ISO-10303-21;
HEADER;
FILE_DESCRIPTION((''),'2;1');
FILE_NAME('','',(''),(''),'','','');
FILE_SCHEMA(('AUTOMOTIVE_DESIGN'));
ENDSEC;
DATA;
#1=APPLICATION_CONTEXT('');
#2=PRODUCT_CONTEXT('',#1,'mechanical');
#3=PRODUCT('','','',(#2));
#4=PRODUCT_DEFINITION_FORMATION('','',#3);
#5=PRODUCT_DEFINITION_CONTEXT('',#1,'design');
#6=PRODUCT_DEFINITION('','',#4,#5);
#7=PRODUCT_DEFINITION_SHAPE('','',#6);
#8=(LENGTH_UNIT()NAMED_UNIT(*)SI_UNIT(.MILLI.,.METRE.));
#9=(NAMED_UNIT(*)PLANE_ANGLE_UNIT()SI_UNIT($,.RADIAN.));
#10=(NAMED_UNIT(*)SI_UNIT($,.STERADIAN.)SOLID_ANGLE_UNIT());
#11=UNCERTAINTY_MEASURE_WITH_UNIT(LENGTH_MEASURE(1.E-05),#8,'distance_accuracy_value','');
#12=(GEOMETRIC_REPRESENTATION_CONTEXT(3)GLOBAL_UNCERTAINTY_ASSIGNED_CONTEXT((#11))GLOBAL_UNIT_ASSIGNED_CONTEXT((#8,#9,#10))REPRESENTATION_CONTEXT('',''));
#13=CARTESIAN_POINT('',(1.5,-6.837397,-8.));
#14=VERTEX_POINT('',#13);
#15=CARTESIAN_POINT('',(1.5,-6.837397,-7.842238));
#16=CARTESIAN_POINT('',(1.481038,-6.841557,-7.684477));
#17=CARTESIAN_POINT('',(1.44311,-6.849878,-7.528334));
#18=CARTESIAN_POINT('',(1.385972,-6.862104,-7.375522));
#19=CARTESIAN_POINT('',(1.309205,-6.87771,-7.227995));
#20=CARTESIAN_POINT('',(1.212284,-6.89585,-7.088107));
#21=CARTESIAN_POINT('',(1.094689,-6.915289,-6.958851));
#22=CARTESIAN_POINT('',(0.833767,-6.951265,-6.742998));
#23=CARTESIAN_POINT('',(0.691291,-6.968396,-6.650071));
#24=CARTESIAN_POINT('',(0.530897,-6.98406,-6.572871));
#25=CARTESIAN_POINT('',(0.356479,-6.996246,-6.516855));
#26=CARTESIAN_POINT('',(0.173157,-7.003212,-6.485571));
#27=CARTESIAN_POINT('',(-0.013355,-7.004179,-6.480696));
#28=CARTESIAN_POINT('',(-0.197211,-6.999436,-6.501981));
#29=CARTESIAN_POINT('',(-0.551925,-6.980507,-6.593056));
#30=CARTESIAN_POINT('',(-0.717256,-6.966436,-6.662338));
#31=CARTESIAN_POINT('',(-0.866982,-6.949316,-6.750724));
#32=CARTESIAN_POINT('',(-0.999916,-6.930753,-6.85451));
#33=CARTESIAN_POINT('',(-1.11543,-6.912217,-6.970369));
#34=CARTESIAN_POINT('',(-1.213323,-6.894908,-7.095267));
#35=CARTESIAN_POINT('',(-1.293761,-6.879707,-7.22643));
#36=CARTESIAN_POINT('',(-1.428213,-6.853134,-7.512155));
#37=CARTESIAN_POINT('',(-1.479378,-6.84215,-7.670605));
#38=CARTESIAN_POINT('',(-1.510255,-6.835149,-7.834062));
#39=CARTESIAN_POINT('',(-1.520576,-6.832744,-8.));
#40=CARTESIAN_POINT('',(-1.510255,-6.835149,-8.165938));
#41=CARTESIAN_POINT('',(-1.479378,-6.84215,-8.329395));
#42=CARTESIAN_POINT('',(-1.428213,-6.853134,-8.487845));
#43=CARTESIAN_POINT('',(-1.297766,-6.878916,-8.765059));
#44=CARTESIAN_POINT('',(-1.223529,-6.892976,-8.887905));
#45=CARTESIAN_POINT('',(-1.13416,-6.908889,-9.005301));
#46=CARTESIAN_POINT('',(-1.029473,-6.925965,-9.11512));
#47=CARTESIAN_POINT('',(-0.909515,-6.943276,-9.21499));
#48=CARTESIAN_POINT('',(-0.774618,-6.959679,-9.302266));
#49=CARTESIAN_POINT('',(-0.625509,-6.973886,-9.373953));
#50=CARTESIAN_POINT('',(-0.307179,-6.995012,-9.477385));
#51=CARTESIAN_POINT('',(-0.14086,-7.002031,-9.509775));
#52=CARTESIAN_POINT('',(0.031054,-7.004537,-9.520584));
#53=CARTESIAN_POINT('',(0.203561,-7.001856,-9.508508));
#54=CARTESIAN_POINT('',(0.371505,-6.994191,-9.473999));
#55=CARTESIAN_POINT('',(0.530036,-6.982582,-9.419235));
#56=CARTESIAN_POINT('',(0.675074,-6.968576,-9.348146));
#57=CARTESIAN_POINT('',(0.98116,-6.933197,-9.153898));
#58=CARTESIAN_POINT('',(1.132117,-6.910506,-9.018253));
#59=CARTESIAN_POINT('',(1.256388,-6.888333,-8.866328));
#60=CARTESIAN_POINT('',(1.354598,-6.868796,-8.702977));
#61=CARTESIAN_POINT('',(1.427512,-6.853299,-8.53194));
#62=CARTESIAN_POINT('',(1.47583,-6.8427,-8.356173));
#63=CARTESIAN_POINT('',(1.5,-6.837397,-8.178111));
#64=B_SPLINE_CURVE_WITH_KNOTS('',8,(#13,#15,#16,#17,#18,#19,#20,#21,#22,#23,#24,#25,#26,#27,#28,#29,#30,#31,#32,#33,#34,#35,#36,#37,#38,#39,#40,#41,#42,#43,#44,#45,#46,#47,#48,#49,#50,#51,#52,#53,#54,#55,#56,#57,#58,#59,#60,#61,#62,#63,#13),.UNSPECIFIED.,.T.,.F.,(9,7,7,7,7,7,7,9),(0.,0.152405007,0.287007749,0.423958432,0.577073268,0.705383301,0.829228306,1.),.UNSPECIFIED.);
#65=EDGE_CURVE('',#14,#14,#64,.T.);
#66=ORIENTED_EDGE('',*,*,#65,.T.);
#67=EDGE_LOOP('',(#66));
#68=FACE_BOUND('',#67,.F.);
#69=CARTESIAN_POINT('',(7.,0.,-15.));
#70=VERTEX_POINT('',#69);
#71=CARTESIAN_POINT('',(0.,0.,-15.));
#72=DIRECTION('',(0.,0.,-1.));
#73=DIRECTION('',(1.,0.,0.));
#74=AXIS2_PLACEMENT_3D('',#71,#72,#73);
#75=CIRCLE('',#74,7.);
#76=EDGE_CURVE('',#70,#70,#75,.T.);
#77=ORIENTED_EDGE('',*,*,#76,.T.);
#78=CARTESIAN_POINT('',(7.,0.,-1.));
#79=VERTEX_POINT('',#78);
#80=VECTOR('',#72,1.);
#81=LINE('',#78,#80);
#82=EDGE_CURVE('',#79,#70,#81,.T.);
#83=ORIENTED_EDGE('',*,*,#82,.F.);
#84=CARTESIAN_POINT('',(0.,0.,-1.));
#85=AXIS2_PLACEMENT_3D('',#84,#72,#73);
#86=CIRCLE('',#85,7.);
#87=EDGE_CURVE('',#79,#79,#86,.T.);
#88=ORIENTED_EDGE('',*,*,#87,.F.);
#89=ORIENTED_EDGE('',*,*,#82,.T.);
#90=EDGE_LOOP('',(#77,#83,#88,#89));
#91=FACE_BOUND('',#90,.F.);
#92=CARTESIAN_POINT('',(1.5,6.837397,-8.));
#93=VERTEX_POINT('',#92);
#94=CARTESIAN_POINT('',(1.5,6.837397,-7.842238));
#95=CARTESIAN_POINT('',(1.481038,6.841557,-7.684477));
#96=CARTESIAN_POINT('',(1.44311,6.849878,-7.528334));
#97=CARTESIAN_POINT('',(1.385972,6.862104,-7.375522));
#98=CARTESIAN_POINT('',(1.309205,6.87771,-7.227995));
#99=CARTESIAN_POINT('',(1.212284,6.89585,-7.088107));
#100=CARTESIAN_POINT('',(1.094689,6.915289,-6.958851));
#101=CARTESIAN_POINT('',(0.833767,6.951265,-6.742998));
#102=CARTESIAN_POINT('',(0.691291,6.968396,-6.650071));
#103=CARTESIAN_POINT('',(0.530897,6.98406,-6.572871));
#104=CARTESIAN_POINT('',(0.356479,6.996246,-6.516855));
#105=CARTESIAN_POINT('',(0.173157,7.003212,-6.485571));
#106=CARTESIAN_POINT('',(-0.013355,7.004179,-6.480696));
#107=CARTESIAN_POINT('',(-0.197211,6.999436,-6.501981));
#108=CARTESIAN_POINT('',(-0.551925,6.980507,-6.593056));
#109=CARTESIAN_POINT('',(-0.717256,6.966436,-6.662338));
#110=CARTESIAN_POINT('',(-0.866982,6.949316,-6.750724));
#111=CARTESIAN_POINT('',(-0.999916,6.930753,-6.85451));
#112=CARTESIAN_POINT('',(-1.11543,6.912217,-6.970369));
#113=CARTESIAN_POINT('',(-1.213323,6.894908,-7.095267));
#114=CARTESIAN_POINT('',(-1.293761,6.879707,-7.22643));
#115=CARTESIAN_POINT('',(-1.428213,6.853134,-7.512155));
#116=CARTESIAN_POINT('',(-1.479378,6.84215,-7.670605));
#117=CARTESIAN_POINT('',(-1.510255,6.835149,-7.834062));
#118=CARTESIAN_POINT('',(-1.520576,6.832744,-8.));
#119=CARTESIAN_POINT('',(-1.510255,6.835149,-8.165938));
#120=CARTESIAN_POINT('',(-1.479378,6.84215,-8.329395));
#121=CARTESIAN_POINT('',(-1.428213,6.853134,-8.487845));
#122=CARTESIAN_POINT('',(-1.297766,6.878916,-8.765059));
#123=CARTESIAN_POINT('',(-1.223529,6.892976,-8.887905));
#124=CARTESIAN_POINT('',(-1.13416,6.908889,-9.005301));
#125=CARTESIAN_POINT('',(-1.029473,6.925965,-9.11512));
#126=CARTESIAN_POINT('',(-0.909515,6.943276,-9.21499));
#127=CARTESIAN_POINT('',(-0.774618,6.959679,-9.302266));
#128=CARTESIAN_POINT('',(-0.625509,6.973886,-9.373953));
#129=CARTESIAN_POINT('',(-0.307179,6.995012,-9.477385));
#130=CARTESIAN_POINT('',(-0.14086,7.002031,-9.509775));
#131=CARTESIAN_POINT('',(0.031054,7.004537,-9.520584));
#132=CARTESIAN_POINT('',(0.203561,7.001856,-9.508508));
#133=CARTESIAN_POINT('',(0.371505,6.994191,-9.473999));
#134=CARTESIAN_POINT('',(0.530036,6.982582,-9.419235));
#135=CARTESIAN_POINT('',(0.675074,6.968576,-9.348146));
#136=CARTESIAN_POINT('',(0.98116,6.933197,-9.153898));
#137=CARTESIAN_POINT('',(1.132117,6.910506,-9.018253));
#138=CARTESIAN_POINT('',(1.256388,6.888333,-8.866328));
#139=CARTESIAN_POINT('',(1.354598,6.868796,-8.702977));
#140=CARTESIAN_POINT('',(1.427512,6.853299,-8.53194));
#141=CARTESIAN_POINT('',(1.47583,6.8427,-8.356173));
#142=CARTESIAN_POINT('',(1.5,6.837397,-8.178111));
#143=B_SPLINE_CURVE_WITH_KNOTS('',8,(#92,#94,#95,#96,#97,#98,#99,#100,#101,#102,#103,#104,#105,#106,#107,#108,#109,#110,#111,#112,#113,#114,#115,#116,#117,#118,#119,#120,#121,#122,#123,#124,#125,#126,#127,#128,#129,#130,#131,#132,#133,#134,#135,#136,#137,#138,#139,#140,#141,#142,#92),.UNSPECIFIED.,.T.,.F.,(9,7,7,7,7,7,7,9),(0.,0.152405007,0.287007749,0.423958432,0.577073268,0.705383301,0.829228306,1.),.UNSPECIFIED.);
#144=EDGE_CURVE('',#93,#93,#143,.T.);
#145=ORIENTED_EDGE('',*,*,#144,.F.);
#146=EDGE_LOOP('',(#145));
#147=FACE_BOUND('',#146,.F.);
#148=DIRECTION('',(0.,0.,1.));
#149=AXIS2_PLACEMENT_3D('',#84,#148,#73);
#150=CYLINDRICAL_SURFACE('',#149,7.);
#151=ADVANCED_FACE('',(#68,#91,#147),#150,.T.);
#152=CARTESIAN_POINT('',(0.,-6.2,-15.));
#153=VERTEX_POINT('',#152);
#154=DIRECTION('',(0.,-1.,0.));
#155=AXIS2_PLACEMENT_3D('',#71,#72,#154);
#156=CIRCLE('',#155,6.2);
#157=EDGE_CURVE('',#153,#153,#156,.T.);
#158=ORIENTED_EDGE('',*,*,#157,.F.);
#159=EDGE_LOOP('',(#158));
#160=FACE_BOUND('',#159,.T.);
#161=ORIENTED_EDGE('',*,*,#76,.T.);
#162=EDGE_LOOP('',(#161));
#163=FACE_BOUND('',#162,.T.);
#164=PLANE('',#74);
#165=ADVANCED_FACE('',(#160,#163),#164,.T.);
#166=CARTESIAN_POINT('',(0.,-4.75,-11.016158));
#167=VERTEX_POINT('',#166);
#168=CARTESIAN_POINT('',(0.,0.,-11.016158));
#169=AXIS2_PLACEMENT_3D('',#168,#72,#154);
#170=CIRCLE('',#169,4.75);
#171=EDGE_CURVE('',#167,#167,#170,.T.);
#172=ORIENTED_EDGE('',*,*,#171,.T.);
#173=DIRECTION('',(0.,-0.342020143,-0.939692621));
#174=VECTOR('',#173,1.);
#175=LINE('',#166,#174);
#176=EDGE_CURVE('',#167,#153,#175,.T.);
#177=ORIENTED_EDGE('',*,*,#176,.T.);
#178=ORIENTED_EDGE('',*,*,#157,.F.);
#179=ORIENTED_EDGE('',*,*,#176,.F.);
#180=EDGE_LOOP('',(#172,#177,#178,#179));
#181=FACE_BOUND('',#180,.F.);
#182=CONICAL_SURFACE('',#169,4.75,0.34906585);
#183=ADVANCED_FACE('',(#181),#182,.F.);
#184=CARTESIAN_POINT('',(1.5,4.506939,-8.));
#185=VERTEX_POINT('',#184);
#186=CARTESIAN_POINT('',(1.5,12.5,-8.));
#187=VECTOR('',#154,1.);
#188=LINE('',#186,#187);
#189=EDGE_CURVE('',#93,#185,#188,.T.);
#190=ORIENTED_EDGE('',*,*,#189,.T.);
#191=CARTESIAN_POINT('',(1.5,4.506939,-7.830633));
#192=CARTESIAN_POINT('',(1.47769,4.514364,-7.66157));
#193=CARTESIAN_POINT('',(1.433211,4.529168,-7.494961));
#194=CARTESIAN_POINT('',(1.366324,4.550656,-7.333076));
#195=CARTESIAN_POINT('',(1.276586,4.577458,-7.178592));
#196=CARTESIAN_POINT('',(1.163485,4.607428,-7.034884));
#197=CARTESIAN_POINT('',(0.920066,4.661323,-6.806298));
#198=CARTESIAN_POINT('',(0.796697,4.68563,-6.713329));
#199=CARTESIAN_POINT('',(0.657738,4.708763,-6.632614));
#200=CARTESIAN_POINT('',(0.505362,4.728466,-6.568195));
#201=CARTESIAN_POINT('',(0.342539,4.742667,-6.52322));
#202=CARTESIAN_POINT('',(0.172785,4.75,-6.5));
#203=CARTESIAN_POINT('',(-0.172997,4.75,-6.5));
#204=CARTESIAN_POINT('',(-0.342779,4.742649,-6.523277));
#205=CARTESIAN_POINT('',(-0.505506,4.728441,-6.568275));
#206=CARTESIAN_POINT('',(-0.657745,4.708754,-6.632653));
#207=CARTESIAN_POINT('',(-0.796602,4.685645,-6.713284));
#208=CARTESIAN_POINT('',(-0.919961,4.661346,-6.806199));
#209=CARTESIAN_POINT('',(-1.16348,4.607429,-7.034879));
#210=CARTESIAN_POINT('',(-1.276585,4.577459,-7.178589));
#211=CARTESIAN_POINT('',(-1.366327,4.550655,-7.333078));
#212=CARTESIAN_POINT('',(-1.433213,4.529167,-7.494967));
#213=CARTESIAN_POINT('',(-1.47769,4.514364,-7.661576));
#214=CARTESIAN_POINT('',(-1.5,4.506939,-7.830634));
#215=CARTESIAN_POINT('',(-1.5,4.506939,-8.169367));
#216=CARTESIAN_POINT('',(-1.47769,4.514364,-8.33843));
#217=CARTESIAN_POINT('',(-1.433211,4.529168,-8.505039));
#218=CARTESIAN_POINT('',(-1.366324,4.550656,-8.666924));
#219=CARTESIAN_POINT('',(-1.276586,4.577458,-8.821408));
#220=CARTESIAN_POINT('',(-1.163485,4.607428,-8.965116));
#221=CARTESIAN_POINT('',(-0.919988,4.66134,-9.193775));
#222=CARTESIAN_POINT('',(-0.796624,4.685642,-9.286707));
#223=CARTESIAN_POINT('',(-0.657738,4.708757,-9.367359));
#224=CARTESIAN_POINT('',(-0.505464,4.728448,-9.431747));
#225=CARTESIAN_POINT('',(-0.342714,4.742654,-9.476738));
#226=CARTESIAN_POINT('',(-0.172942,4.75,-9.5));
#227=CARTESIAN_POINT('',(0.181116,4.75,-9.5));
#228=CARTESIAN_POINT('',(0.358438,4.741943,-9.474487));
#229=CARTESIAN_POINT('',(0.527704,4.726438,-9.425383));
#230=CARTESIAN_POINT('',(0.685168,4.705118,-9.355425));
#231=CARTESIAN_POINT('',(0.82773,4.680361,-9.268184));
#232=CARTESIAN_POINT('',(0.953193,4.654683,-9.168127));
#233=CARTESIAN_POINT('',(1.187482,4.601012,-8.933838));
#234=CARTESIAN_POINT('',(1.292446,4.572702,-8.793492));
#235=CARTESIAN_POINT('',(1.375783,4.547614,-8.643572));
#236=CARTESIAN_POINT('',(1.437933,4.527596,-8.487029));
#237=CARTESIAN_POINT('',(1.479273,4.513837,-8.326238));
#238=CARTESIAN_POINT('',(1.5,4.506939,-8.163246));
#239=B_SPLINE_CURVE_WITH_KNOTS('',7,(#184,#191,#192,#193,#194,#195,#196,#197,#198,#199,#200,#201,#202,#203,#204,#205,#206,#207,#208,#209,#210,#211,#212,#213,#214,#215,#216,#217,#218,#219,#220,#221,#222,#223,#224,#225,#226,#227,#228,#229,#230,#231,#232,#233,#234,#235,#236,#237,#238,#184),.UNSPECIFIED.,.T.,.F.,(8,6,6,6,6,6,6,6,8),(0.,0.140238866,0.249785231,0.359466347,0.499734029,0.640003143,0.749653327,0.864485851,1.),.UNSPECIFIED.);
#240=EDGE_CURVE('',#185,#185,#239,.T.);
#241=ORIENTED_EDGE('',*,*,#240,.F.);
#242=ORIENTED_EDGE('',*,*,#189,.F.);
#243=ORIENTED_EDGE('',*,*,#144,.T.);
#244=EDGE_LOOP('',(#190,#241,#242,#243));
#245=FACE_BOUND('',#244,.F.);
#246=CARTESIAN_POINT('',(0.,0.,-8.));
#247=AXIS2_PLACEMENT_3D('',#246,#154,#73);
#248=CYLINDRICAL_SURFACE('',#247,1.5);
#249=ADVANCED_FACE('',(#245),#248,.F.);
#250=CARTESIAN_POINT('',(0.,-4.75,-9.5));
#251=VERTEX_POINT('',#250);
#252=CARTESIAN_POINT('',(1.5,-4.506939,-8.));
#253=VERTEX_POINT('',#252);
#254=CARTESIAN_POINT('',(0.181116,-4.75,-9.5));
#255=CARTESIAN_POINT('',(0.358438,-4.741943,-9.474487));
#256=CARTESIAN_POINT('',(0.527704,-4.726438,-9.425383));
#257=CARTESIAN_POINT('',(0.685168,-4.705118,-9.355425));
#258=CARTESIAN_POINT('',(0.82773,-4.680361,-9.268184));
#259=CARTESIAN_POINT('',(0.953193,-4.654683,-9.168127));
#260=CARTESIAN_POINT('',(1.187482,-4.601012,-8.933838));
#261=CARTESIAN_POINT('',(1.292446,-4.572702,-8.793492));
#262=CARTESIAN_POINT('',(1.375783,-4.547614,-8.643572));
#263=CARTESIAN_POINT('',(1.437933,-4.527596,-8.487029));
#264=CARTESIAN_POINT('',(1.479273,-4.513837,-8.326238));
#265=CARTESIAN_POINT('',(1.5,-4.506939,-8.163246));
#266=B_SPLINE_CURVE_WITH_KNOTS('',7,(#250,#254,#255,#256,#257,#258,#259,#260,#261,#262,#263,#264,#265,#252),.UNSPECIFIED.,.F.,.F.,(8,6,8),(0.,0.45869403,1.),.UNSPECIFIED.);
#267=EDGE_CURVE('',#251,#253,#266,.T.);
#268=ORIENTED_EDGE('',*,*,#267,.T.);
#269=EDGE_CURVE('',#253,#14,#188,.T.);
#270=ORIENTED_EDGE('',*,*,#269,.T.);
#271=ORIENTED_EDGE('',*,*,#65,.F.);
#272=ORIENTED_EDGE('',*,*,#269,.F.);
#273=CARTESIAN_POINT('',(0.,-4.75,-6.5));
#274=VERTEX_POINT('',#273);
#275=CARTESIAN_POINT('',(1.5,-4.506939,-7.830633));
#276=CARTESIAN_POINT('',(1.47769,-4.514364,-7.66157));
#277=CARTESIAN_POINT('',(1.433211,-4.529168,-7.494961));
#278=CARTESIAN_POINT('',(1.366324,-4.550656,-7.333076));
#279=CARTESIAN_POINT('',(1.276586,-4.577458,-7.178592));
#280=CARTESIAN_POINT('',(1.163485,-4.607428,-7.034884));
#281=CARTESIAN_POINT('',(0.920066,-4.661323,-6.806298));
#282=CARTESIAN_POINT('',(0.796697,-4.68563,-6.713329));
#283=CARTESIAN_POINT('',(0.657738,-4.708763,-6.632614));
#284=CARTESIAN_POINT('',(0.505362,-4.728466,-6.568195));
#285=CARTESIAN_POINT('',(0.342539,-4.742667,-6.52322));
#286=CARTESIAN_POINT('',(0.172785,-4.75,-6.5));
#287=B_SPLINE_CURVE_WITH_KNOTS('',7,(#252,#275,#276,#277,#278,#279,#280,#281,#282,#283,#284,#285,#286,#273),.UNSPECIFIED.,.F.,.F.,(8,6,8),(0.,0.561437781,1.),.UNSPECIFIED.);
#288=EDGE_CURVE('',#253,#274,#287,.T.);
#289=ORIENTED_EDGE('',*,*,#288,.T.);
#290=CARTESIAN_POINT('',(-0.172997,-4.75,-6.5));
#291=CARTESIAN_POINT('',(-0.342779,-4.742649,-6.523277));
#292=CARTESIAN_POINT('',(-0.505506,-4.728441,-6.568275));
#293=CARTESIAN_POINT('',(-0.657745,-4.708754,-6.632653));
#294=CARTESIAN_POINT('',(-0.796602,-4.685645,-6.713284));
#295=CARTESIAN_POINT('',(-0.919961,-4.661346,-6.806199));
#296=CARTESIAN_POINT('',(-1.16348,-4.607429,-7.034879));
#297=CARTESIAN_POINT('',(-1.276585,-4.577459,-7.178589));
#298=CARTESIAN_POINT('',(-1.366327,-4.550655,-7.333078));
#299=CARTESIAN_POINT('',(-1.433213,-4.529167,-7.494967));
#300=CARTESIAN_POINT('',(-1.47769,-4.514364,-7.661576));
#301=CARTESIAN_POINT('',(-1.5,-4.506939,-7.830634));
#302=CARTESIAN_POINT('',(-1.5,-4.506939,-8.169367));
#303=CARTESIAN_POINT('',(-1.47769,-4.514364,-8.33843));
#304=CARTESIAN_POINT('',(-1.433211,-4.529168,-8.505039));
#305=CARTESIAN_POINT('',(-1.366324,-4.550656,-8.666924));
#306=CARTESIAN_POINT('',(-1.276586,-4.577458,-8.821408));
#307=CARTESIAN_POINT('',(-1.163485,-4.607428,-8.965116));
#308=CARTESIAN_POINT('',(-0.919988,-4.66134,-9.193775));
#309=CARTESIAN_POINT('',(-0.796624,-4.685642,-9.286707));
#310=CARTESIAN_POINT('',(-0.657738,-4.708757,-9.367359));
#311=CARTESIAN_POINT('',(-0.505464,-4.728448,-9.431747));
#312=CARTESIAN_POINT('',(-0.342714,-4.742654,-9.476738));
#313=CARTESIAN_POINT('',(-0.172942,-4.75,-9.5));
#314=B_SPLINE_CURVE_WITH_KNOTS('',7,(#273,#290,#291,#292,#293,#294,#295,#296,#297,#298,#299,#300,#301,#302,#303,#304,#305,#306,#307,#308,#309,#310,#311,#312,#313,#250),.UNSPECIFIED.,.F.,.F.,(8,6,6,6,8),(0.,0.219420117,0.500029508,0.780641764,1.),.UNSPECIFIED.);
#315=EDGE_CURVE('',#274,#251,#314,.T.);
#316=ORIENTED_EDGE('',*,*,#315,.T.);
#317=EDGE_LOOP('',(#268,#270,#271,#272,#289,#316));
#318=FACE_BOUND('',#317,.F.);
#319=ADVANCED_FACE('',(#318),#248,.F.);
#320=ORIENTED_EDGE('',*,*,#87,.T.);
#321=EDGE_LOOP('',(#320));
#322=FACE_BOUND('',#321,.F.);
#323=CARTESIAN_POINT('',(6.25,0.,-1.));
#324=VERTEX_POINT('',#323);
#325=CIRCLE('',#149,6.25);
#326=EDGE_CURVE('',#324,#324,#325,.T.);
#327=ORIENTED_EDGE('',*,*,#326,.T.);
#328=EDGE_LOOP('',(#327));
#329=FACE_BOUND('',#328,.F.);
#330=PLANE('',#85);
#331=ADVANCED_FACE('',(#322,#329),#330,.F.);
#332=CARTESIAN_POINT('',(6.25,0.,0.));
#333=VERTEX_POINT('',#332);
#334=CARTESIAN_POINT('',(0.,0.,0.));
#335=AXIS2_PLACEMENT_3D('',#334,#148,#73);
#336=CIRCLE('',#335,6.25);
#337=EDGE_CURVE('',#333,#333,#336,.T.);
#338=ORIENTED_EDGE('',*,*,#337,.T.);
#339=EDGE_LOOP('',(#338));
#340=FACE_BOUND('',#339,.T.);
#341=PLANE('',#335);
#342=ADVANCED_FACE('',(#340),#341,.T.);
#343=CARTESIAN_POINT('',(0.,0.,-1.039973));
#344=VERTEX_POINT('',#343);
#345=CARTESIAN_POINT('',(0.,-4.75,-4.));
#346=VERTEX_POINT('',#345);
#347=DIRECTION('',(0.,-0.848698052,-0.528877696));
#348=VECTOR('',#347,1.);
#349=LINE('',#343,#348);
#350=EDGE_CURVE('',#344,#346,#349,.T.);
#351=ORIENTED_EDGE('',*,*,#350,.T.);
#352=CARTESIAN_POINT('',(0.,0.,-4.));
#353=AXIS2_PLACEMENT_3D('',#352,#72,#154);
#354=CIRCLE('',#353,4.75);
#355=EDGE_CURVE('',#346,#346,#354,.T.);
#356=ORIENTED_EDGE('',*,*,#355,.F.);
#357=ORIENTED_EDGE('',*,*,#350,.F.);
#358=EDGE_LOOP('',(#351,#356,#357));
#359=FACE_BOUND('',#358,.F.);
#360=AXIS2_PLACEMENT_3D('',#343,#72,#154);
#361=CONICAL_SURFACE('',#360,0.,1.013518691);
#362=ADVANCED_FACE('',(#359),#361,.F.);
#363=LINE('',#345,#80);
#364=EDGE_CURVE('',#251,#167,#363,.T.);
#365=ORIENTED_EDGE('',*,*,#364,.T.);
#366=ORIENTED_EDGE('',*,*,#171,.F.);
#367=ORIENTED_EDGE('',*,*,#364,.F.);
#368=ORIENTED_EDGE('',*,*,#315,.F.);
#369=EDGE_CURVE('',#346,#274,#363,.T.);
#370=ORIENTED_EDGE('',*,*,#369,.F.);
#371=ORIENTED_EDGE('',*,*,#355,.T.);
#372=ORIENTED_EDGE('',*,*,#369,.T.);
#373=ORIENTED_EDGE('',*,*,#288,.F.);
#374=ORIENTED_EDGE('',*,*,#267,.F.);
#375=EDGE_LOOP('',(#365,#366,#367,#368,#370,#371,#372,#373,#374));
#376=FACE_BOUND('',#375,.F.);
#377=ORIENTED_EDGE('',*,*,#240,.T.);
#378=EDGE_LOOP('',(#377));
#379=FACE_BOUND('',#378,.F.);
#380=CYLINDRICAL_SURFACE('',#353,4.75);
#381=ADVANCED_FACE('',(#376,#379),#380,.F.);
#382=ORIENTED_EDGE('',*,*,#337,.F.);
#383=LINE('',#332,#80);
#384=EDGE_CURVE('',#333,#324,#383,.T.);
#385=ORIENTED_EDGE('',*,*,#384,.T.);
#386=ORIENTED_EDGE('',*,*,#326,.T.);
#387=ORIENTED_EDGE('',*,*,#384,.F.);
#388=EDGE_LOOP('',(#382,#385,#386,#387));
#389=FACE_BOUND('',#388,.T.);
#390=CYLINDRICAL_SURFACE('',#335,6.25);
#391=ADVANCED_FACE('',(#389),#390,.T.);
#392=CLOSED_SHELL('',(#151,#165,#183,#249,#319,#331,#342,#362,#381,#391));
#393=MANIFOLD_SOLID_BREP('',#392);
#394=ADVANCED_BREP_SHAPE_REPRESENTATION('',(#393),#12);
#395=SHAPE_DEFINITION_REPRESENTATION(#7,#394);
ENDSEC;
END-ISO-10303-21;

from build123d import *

# Parameters (mm, degrees)
F0_R     = 6.25
F1_DEPTH = 1
F2_R     = 7
F3_DEPTH = 14
F6_R     = 1.5
F7_DEPTH = 12.5


with BuildPart() as f1:
    # F0 (on Top) → F1 (new body)
    with BuildSketch(Plane.XY):
        Circle(F0_R)
    extrude(amount=-F1_DEPTH)

    # F2 (on face) → F3 (join)
    with BuildSketch(Plane(origin=(0, 0, -1), x_dir=(1, 0, 0), z_dir=(0, 0, -1))):
        Circle(F2_R)
    extrude(amount=F3_DEPTH)

    # F4 (on Right) → F5 (revolve, cut)
    with BuildSketch(Plane.YZ):
        Polygon((0, -15), (0, -1.0399731109), (-4.75, -4), (-4.75, -11.0161577418), (-6.2, -15), align=None)
    revolve(axis=Axis((0, 0, -15), (0, 0, -1)), mode=Mode.SUBTRACT)

    # F6 (on Front) → F7 (cut, symmetric)
    with BuildSketch(Plane.XZ):
        with Locations((0, -8)):
            Circle(F6_R)
    extrude(amount=F7_DEPTH, both=True, mode=Mode.SUBTRACT)


solid = f1.part
